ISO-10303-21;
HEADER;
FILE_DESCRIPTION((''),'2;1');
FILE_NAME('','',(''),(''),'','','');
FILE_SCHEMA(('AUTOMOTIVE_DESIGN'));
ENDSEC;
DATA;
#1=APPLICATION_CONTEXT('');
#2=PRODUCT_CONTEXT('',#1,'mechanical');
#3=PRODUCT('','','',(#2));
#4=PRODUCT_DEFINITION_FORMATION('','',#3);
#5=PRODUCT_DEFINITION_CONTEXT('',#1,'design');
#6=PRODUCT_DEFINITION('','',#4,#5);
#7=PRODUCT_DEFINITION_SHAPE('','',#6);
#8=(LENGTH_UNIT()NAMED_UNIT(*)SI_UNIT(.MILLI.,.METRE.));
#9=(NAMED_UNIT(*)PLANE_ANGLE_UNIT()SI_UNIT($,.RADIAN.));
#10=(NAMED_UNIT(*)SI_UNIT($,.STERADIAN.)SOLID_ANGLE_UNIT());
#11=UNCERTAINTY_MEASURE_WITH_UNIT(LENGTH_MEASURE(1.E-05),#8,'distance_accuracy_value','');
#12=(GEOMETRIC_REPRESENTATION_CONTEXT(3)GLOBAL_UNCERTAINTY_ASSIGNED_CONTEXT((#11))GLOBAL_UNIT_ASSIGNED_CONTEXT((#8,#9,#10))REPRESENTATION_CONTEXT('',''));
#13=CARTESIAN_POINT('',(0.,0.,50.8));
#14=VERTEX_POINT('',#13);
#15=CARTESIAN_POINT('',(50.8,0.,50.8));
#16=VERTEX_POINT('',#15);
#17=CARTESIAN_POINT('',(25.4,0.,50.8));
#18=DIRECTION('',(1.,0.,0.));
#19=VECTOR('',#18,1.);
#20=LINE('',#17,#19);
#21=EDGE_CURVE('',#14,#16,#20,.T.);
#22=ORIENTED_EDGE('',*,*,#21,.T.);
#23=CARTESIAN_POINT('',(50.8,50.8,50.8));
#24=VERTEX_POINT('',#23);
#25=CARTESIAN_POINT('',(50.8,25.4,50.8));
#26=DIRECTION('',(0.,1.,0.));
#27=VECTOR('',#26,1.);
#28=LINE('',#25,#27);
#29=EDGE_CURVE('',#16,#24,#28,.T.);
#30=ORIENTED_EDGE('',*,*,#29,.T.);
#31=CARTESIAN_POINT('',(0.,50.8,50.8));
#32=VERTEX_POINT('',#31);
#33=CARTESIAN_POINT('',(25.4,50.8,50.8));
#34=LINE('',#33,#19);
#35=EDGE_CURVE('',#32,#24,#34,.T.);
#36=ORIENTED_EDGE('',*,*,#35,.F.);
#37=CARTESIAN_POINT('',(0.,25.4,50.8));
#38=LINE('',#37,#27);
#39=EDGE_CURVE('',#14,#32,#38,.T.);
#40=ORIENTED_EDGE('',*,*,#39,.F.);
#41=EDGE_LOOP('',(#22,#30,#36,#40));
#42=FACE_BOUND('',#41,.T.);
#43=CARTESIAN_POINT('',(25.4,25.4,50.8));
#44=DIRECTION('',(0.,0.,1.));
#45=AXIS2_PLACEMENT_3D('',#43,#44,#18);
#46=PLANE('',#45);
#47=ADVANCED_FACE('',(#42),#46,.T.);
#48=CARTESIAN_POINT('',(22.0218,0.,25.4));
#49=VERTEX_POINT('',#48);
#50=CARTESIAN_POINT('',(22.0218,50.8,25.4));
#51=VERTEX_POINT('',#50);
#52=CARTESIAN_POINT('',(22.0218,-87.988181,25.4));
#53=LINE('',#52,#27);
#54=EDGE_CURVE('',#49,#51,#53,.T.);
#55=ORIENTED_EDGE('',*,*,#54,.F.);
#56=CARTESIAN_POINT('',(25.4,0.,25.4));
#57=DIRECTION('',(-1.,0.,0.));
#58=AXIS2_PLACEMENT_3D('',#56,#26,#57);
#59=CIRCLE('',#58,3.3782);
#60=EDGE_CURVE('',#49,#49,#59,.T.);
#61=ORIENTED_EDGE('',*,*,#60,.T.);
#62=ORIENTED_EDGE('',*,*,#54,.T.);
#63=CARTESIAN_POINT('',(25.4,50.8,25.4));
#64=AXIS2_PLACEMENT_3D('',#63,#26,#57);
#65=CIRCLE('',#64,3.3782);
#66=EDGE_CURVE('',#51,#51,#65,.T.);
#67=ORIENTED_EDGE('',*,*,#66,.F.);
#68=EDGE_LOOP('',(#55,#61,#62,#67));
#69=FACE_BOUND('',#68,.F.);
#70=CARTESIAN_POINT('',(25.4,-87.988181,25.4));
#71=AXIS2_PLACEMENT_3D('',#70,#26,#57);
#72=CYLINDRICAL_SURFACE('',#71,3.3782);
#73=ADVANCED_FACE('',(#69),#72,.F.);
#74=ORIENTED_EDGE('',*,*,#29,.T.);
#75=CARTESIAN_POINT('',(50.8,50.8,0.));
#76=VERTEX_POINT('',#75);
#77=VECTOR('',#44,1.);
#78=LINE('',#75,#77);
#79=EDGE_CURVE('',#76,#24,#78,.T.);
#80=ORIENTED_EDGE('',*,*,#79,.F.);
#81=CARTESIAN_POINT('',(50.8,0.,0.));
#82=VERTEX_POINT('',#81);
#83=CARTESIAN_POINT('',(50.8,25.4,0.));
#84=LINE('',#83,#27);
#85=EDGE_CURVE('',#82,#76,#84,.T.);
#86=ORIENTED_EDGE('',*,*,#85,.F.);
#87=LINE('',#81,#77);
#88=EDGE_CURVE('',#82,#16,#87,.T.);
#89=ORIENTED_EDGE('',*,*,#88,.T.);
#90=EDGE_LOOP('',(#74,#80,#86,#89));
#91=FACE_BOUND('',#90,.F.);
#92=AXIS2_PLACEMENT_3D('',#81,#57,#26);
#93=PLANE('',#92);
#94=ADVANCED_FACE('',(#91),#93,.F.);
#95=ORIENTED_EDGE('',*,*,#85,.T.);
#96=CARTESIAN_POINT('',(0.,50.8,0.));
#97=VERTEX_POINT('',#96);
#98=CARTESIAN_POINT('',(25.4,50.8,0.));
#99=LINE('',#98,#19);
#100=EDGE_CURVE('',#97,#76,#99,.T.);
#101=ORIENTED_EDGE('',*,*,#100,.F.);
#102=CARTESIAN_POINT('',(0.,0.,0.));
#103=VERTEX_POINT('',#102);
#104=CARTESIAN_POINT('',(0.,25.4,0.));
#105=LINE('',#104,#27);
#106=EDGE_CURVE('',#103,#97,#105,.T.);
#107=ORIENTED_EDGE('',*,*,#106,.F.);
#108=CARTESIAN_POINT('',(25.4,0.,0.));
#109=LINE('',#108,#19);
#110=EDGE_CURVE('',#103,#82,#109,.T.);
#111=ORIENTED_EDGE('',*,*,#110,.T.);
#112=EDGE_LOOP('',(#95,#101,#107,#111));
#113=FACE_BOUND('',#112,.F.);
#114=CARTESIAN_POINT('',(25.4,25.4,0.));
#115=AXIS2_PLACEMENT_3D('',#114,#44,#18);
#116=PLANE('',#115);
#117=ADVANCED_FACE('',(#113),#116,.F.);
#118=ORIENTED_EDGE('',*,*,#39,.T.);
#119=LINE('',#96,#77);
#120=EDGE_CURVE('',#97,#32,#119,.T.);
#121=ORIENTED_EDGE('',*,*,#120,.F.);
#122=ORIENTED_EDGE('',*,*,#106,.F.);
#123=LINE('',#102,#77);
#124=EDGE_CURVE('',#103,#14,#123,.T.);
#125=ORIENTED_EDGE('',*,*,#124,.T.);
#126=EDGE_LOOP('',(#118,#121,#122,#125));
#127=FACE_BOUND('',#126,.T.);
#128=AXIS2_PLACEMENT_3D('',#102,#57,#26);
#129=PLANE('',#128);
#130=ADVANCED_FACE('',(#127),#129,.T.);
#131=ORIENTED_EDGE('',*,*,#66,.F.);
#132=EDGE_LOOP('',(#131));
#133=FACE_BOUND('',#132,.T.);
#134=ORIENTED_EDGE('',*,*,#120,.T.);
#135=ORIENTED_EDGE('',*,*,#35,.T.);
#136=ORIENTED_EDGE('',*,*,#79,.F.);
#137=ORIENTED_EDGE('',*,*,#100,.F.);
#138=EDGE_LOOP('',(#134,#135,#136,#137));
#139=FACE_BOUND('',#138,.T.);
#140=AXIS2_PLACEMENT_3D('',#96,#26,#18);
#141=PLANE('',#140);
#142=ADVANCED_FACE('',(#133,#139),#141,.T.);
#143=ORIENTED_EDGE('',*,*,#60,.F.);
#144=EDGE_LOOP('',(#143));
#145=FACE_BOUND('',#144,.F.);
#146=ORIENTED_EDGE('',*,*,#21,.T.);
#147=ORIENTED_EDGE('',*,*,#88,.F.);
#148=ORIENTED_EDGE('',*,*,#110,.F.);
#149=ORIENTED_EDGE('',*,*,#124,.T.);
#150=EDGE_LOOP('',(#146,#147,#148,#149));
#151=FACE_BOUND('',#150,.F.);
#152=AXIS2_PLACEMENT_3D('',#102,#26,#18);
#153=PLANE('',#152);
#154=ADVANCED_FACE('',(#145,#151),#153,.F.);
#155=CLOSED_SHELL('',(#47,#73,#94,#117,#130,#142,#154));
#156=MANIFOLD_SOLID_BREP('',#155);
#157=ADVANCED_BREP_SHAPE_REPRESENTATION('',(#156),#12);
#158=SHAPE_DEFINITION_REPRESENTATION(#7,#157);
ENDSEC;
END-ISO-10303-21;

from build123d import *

# Parameters (mm, degrees)
F0_W     = 50.8
F0_H     = 50.8
F1_DEPTH = 50.8
F3_D     = 6.7564


with BuildPart() as f1:
    # F0 (on Top) → F1 (new body)
    with BuildSketch(Plane.XY):
        with Locations((25.4, 25.4)):
            Rectangle(F0_W, F0_H)
    extrude(amount=F1_DEPTH)

    # F3 (through all)
    with Locations(Plane.XZ):
        with Locations((25.4, 25.4)):
            Hole(F3_D / 2)


solid = f1.part
